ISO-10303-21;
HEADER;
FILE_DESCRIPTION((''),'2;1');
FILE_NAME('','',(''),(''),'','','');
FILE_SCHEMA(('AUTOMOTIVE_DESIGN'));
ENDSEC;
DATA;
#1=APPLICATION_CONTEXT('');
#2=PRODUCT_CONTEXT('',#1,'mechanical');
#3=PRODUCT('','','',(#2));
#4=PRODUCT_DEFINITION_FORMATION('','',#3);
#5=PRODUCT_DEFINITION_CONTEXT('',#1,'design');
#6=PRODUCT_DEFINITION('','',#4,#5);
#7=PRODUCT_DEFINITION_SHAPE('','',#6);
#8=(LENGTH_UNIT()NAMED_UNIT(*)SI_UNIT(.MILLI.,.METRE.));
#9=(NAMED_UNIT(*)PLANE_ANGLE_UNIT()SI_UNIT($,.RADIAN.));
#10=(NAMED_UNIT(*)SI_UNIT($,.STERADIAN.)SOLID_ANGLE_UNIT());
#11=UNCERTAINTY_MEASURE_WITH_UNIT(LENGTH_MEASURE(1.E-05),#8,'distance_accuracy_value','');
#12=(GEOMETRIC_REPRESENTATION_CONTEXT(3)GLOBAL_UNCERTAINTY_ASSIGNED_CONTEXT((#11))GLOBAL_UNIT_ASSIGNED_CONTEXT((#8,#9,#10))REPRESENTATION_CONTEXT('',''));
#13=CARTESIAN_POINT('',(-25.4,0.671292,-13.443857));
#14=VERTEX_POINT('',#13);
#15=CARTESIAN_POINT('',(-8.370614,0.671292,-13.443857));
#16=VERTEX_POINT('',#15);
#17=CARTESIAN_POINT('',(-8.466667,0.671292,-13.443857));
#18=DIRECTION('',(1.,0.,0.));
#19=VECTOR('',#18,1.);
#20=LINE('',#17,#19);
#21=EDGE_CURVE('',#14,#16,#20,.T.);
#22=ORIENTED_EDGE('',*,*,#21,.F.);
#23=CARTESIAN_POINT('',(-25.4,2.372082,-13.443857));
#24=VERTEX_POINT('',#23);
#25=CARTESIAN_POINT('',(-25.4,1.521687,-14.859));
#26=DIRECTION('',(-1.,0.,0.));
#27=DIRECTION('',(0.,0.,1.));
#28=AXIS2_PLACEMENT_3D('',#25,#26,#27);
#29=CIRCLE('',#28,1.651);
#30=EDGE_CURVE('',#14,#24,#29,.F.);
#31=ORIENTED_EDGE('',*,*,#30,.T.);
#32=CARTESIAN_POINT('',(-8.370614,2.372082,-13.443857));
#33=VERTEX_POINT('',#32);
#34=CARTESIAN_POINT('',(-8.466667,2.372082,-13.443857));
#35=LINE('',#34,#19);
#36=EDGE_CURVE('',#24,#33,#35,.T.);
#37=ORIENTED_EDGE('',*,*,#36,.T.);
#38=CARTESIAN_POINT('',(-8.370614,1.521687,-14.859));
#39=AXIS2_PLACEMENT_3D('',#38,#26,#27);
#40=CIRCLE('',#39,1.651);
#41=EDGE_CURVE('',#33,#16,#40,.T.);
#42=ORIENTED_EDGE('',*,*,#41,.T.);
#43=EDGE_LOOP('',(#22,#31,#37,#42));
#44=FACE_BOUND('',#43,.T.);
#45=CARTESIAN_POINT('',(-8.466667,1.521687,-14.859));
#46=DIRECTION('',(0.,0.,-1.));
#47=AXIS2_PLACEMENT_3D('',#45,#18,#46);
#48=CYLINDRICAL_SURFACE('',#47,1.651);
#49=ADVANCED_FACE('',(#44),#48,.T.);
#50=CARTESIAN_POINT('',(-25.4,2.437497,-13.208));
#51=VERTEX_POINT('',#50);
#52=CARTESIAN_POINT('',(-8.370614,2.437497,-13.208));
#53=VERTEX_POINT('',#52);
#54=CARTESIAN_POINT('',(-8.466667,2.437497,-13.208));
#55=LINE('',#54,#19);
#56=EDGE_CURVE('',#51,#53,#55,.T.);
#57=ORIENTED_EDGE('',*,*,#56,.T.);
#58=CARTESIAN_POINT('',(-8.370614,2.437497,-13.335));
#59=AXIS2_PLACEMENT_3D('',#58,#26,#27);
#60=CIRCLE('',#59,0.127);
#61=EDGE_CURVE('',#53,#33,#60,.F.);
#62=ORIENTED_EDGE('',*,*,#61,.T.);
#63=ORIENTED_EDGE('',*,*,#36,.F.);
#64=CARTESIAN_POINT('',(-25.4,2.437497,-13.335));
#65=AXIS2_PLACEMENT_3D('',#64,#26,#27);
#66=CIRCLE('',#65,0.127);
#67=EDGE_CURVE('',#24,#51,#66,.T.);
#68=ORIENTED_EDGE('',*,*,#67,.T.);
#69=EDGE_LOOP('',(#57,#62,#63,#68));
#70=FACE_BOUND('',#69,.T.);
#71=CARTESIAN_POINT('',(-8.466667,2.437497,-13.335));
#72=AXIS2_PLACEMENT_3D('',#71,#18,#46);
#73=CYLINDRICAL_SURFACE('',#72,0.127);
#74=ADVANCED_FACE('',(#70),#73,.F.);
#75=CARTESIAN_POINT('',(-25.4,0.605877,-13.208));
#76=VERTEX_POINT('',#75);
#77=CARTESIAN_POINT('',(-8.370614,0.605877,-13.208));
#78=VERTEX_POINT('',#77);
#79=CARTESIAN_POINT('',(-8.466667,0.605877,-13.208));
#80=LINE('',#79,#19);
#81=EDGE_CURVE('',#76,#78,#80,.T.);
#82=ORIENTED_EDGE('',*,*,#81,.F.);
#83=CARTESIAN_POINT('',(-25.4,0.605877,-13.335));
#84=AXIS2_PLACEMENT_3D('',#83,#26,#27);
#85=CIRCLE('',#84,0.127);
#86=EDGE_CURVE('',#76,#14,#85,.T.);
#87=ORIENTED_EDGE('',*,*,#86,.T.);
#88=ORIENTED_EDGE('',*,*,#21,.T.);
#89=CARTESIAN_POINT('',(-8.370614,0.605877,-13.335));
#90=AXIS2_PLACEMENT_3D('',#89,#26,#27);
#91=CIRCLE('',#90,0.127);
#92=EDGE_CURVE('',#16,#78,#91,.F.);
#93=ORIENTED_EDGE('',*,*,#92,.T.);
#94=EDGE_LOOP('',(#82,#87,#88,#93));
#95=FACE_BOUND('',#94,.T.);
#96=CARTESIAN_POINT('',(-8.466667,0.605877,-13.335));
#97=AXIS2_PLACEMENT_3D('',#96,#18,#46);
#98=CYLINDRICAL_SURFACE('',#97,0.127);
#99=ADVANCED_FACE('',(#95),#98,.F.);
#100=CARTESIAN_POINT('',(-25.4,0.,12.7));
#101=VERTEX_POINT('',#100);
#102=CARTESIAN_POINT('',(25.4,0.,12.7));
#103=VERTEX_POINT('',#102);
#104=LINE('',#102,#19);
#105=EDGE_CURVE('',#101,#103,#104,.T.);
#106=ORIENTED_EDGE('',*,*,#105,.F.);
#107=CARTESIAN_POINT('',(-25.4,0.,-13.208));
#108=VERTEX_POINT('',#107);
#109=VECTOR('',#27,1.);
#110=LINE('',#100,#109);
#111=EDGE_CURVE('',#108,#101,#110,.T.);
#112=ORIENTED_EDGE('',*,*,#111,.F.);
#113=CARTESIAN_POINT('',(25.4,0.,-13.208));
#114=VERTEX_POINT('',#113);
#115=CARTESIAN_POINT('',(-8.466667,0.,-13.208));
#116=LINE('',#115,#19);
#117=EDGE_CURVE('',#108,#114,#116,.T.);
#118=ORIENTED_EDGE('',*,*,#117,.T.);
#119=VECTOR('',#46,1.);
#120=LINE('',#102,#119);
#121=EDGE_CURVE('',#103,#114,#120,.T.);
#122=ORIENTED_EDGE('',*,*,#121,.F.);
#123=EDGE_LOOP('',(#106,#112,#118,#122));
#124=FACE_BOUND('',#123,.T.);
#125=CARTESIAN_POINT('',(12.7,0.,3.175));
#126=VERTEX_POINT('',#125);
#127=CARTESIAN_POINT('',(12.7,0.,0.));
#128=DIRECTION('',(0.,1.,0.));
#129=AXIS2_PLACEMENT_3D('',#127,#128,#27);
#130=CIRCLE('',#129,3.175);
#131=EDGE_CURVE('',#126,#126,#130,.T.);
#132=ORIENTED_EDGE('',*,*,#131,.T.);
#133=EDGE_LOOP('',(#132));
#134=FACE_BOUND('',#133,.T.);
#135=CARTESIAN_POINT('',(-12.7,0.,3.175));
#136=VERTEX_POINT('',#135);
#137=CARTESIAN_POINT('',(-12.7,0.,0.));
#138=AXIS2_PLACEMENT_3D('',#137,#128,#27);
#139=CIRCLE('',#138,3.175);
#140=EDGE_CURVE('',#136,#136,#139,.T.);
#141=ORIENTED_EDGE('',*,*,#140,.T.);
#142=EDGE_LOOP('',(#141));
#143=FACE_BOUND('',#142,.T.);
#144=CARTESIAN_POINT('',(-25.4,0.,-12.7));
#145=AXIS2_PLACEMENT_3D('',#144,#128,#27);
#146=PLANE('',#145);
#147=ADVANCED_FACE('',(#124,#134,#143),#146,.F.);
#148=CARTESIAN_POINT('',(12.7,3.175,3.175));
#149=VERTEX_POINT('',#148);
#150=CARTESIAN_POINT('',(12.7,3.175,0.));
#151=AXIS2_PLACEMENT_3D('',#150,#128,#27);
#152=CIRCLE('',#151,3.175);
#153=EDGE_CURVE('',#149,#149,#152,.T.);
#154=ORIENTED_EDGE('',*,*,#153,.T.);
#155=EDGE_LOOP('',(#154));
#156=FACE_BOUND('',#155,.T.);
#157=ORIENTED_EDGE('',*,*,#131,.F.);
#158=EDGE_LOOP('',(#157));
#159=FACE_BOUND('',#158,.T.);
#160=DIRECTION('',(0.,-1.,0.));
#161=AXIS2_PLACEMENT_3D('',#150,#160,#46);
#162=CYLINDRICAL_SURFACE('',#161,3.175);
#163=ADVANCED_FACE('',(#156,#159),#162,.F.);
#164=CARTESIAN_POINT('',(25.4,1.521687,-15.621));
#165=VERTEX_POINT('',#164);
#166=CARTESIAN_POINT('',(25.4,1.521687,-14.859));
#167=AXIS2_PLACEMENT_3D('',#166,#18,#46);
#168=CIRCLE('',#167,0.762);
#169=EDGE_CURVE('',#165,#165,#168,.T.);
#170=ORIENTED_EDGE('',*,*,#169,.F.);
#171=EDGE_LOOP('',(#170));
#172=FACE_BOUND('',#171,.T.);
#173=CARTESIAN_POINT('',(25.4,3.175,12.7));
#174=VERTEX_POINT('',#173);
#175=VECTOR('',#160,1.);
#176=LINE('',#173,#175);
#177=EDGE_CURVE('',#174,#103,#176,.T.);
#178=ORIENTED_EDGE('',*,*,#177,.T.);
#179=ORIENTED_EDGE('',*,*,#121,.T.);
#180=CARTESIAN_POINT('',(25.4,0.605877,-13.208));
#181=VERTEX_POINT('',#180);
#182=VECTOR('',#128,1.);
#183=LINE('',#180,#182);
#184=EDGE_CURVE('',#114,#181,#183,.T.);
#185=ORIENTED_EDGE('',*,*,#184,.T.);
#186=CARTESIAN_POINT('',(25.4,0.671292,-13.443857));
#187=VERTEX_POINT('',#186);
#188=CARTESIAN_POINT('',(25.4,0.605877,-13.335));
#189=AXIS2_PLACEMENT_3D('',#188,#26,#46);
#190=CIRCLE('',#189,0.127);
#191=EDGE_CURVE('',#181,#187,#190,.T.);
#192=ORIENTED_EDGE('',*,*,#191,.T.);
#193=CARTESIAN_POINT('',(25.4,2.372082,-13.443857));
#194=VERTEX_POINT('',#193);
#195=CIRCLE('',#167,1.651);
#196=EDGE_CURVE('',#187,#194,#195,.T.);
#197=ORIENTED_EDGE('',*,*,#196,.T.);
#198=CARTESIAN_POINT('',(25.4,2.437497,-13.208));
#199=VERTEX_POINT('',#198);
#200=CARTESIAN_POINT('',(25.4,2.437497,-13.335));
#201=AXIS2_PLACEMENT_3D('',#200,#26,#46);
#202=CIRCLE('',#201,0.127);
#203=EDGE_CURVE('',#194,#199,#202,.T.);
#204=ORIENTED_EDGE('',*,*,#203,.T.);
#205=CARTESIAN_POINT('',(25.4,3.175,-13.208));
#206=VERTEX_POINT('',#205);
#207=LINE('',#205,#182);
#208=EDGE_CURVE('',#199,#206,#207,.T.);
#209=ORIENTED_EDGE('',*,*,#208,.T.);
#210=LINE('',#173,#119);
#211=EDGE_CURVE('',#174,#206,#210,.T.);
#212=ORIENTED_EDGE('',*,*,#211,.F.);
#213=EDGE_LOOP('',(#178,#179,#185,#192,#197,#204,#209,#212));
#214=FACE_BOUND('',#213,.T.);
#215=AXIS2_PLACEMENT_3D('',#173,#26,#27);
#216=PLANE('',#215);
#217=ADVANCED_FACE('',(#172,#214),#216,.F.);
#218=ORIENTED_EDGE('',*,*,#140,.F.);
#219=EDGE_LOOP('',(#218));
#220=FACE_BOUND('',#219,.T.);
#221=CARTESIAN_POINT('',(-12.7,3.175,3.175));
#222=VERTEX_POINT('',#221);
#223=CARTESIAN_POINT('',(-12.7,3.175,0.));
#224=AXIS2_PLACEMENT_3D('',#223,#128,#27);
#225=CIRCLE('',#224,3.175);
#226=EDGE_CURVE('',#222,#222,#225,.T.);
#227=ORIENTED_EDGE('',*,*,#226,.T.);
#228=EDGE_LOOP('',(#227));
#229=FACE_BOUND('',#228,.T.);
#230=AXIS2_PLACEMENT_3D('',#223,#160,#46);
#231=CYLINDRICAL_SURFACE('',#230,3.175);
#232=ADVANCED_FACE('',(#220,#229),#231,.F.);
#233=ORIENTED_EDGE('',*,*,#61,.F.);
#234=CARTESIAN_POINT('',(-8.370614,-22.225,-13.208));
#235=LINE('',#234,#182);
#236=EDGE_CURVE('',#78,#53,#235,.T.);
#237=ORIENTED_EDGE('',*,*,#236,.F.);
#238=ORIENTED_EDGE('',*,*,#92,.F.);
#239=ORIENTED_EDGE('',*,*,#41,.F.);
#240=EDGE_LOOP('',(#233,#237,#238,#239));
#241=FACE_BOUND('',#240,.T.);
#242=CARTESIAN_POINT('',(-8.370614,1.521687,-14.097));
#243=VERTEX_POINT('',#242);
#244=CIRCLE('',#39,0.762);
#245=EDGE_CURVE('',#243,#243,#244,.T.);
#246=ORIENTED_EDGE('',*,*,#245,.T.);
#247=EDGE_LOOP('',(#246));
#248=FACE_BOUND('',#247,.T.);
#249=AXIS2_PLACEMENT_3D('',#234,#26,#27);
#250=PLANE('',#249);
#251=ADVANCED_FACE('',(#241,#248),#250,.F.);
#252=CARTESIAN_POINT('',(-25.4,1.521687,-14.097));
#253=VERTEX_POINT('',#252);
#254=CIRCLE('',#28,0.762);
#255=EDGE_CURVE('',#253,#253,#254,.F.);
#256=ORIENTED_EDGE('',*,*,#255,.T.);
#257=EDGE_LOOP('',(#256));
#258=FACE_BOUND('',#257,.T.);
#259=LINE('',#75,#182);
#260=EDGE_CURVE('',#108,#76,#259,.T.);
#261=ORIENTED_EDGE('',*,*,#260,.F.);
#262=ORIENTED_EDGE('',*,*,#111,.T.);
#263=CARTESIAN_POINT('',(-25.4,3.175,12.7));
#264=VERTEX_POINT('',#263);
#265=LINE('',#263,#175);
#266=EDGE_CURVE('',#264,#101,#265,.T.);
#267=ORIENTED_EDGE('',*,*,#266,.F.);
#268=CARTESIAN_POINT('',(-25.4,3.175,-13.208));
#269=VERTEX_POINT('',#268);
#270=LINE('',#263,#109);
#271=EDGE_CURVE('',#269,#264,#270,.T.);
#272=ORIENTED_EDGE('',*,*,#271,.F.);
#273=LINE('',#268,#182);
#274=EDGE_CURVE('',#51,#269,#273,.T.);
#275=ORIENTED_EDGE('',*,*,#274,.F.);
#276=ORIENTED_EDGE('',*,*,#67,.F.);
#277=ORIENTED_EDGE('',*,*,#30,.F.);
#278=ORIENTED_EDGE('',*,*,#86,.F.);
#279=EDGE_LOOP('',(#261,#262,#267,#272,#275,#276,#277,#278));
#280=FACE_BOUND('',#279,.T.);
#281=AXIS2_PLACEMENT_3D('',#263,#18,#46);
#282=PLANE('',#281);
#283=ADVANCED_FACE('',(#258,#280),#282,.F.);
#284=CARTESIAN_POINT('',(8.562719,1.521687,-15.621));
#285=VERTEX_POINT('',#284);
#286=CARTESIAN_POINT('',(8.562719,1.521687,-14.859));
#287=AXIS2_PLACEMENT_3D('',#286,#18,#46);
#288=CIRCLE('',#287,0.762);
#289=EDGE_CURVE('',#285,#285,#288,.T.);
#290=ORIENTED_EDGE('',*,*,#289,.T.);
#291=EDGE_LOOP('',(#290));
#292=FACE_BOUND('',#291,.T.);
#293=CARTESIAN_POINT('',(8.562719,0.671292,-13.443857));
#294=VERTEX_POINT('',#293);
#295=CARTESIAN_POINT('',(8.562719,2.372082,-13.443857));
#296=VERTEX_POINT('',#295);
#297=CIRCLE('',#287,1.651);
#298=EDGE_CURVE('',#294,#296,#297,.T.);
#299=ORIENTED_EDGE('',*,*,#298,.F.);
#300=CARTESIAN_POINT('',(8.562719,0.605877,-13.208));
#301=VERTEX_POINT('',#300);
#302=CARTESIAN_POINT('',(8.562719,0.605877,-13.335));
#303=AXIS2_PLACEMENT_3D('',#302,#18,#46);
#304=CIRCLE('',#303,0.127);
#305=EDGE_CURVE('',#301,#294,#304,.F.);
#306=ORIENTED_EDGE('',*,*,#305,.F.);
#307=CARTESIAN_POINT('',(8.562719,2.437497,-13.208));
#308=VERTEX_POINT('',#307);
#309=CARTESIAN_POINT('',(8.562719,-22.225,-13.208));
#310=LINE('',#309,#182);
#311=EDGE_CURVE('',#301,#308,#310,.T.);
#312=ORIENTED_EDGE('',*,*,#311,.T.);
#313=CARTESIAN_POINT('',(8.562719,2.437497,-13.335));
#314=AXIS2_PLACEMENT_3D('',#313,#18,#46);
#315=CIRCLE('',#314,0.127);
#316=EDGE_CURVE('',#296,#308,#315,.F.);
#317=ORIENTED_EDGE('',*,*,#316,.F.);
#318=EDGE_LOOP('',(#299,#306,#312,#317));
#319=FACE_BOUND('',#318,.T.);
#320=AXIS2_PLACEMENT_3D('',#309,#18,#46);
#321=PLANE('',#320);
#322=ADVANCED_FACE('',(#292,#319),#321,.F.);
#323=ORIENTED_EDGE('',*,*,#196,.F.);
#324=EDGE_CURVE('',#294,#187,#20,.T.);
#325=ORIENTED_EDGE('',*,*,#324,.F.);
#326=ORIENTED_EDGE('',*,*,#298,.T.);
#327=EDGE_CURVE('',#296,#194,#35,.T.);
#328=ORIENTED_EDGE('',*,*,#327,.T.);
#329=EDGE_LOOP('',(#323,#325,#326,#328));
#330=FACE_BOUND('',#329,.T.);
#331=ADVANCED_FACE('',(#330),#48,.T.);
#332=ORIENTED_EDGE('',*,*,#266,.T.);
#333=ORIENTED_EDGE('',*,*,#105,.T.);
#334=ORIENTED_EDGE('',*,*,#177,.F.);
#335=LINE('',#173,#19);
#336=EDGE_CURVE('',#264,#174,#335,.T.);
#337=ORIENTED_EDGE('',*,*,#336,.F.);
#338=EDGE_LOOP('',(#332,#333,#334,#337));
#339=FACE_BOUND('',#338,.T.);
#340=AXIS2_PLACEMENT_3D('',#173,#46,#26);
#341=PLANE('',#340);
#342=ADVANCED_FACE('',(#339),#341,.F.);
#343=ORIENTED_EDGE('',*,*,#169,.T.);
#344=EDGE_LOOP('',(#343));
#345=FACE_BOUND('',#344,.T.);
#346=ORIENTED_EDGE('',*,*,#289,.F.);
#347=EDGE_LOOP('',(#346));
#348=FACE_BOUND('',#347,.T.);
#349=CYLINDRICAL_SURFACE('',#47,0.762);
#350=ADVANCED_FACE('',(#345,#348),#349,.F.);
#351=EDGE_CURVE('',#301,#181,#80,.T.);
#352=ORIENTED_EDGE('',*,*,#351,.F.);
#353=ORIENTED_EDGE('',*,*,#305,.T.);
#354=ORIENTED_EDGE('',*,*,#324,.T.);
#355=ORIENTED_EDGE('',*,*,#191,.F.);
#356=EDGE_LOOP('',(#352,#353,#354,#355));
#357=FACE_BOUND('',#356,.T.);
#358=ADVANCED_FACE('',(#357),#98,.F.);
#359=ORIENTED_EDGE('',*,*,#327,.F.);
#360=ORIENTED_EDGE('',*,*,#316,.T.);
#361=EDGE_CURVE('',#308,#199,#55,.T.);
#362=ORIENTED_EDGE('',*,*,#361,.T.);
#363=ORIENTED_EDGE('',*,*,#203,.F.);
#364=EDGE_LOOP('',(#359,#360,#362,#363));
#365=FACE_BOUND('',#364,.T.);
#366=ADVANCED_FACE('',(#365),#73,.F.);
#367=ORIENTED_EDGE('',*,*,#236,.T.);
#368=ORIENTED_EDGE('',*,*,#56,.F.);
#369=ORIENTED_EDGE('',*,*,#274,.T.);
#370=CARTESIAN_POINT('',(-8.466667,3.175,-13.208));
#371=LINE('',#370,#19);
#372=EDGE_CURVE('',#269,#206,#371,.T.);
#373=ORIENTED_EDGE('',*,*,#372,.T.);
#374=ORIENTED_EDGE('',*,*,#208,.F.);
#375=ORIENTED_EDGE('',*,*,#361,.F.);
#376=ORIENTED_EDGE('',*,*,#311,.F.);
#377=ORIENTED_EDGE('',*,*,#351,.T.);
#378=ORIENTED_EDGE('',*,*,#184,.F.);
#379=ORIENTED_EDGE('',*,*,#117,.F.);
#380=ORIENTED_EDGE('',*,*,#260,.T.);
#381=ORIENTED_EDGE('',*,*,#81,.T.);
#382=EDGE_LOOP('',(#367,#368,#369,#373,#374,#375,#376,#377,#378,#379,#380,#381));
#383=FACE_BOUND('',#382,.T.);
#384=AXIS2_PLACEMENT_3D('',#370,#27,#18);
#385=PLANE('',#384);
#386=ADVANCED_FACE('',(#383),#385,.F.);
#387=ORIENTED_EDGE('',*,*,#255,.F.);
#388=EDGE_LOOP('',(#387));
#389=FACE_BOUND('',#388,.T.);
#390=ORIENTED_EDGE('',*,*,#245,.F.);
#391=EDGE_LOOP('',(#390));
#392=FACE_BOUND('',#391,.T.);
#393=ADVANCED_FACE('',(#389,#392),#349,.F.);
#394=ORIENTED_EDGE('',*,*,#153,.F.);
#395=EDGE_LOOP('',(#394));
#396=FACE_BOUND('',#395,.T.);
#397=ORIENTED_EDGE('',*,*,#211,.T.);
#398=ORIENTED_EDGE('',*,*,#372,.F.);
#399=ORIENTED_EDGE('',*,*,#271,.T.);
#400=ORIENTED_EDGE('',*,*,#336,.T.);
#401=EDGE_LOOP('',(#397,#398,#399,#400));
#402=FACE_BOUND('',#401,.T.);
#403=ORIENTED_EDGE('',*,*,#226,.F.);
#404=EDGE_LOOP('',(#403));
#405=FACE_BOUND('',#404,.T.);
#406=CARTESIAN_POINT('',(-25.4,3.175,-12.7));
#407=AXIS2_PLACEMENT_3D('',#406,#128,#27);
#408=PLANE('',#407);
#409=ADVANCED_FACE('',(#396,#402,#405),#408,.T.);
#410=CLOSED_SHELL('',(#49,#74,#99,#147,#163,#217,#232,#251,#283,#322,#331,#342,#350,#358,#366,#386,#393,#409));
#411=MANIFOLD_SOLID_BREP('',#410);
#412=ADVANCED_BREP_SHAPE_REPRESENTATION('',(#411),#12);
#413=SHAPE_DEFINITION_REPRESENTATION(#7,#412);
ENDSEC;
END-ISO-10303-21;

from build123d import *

# Parameters (mm, degrees)
CROQUIS3_W              = 50.8
CROQUIS3_H              = 25.4
CROQUIS3_R              = 3.175
SALIENTE_EXTRUIR1_DEPTH = 3.175
CROQUIS6_R              = 0.762
SALIENTE_EXTRUIR3_DEPTH = 8.466666667
CROQUIS7_R              = 0.762
SALIENTE_EXTRUIR4_DEPTH = 50.8
CROQUIS8_W              = 16.933333333
CROQUIS8_H              = 3.302
CORTAR_EXTRUIR2_DEPTH   = 25.4


with BuildPart() as part:
    # Croquis3 → Saliente-Extruir1 (new body)
    with BuildSketch(Plane(origin=(0, 0, 0), x_dir=(1, 0, 0), z_dir=(0, 1, 0))):
        Rectangle(CROQUIS3_W, CROQUIS3_H)
        with Locations((-12.7, 0)):
            Circle(CROQUIS3_R, mode=Mode.SUBTRACT)
        with Locations((12.7, 0)):
            Circle(CROQUIS3_R, mode=Mode.SUBTRACT)
    extrude(amount=SALIENTE_EXTRUIR1_DEPTH)

    # Croquis6 → Saliente-Extruir3 (add, symmetric)
    with BuildSketch(Plane.ZY):
        with BuildLine():
            Line((-12.7, 3.175), (-13.208, 3.175))
            Line((-13.208, 3.175), (-13.208, 2.437497499))
            ThreePointArc((-13.208, 2.437497499), (-13.301057822, 2.315117237), (-13.443857143, 2.372082497))
            ThreePointArc((-13.443857143, 2.372082497), (-16.51, 1.521687475), (-13.443857143, 0.671292453))
            ThreePointArc((-13.443857143, 0.671292453), (-13.301057822, 0.728257713), (-13.208, 0.605877451))
            Line((-13.208, 0.605877451), (-13.208, 0))
            Line((-13.208, 0), (-12.7, 0))
            Line((-12.7, 0), (-12.7, 3.175))
        make_face()
        with Locations((-14.859, 1.521687475)):
            Circle(CROQUIS6_R, mode=Mode.SUBTRACT)
    extrude(amount=SALIENTE_EXTRUIR3_DEPTH, both=True)

    # Croquis7 → Saliente-Extruir4 (add)
    with BuildSketch(Plane(origin=(25.4, 0, 0), x_dir=(0, 0, -1), z_dir=(1, 0, 0))):
        with BuildLine():
            Line((12.7, 3.175), (13.208, 3.175))
            Line((13.208, 3.175), (13.208, 2.437497499))
            ThreePointArc((13.208, 2.437497499), (13.301057822, 2.315117237), (13.443857143, 2.372082497))
            ThreePointArc((13.443857143, 2.372082497), (16.51, 1.521687475), (13.443857143, 0.671292453))
            ThreePointArc((13.443857143, 0.671292453), (13.301057822, 0.728257713), (13.208, 0.605877451))
            Line((13.208, 0.605877451), (13.208, 0))
            Line((13.208, 0), (12.7, 0))
            Line((12.7, 0), (12.7, 3.175))
        make_face()
        with Locations((14.859, 1.521687475)):
            Circle(CROQUIS7_R, mode=Mode.SUBTRACT)
    extrude(amount=-SALIENTE_EXTRUIR4_DEPTH)

    # Croquis8 → Cortar-Extruir2 (cut)
    with BuildSketch(Plane(origin=(0, 3.175, 0), x_dir=(1, 0, 0), z_dir=(0, 1, 0))):
        with Locations((0.09605237, 14.859)):
            Rectangle(CROQUIS8_W, CROQUIS8_H)
    extrude(amount=-CORTAR_EXTRUIR2_DEPTH, mode=Mode.SUBTRACT)


solid = part.part
